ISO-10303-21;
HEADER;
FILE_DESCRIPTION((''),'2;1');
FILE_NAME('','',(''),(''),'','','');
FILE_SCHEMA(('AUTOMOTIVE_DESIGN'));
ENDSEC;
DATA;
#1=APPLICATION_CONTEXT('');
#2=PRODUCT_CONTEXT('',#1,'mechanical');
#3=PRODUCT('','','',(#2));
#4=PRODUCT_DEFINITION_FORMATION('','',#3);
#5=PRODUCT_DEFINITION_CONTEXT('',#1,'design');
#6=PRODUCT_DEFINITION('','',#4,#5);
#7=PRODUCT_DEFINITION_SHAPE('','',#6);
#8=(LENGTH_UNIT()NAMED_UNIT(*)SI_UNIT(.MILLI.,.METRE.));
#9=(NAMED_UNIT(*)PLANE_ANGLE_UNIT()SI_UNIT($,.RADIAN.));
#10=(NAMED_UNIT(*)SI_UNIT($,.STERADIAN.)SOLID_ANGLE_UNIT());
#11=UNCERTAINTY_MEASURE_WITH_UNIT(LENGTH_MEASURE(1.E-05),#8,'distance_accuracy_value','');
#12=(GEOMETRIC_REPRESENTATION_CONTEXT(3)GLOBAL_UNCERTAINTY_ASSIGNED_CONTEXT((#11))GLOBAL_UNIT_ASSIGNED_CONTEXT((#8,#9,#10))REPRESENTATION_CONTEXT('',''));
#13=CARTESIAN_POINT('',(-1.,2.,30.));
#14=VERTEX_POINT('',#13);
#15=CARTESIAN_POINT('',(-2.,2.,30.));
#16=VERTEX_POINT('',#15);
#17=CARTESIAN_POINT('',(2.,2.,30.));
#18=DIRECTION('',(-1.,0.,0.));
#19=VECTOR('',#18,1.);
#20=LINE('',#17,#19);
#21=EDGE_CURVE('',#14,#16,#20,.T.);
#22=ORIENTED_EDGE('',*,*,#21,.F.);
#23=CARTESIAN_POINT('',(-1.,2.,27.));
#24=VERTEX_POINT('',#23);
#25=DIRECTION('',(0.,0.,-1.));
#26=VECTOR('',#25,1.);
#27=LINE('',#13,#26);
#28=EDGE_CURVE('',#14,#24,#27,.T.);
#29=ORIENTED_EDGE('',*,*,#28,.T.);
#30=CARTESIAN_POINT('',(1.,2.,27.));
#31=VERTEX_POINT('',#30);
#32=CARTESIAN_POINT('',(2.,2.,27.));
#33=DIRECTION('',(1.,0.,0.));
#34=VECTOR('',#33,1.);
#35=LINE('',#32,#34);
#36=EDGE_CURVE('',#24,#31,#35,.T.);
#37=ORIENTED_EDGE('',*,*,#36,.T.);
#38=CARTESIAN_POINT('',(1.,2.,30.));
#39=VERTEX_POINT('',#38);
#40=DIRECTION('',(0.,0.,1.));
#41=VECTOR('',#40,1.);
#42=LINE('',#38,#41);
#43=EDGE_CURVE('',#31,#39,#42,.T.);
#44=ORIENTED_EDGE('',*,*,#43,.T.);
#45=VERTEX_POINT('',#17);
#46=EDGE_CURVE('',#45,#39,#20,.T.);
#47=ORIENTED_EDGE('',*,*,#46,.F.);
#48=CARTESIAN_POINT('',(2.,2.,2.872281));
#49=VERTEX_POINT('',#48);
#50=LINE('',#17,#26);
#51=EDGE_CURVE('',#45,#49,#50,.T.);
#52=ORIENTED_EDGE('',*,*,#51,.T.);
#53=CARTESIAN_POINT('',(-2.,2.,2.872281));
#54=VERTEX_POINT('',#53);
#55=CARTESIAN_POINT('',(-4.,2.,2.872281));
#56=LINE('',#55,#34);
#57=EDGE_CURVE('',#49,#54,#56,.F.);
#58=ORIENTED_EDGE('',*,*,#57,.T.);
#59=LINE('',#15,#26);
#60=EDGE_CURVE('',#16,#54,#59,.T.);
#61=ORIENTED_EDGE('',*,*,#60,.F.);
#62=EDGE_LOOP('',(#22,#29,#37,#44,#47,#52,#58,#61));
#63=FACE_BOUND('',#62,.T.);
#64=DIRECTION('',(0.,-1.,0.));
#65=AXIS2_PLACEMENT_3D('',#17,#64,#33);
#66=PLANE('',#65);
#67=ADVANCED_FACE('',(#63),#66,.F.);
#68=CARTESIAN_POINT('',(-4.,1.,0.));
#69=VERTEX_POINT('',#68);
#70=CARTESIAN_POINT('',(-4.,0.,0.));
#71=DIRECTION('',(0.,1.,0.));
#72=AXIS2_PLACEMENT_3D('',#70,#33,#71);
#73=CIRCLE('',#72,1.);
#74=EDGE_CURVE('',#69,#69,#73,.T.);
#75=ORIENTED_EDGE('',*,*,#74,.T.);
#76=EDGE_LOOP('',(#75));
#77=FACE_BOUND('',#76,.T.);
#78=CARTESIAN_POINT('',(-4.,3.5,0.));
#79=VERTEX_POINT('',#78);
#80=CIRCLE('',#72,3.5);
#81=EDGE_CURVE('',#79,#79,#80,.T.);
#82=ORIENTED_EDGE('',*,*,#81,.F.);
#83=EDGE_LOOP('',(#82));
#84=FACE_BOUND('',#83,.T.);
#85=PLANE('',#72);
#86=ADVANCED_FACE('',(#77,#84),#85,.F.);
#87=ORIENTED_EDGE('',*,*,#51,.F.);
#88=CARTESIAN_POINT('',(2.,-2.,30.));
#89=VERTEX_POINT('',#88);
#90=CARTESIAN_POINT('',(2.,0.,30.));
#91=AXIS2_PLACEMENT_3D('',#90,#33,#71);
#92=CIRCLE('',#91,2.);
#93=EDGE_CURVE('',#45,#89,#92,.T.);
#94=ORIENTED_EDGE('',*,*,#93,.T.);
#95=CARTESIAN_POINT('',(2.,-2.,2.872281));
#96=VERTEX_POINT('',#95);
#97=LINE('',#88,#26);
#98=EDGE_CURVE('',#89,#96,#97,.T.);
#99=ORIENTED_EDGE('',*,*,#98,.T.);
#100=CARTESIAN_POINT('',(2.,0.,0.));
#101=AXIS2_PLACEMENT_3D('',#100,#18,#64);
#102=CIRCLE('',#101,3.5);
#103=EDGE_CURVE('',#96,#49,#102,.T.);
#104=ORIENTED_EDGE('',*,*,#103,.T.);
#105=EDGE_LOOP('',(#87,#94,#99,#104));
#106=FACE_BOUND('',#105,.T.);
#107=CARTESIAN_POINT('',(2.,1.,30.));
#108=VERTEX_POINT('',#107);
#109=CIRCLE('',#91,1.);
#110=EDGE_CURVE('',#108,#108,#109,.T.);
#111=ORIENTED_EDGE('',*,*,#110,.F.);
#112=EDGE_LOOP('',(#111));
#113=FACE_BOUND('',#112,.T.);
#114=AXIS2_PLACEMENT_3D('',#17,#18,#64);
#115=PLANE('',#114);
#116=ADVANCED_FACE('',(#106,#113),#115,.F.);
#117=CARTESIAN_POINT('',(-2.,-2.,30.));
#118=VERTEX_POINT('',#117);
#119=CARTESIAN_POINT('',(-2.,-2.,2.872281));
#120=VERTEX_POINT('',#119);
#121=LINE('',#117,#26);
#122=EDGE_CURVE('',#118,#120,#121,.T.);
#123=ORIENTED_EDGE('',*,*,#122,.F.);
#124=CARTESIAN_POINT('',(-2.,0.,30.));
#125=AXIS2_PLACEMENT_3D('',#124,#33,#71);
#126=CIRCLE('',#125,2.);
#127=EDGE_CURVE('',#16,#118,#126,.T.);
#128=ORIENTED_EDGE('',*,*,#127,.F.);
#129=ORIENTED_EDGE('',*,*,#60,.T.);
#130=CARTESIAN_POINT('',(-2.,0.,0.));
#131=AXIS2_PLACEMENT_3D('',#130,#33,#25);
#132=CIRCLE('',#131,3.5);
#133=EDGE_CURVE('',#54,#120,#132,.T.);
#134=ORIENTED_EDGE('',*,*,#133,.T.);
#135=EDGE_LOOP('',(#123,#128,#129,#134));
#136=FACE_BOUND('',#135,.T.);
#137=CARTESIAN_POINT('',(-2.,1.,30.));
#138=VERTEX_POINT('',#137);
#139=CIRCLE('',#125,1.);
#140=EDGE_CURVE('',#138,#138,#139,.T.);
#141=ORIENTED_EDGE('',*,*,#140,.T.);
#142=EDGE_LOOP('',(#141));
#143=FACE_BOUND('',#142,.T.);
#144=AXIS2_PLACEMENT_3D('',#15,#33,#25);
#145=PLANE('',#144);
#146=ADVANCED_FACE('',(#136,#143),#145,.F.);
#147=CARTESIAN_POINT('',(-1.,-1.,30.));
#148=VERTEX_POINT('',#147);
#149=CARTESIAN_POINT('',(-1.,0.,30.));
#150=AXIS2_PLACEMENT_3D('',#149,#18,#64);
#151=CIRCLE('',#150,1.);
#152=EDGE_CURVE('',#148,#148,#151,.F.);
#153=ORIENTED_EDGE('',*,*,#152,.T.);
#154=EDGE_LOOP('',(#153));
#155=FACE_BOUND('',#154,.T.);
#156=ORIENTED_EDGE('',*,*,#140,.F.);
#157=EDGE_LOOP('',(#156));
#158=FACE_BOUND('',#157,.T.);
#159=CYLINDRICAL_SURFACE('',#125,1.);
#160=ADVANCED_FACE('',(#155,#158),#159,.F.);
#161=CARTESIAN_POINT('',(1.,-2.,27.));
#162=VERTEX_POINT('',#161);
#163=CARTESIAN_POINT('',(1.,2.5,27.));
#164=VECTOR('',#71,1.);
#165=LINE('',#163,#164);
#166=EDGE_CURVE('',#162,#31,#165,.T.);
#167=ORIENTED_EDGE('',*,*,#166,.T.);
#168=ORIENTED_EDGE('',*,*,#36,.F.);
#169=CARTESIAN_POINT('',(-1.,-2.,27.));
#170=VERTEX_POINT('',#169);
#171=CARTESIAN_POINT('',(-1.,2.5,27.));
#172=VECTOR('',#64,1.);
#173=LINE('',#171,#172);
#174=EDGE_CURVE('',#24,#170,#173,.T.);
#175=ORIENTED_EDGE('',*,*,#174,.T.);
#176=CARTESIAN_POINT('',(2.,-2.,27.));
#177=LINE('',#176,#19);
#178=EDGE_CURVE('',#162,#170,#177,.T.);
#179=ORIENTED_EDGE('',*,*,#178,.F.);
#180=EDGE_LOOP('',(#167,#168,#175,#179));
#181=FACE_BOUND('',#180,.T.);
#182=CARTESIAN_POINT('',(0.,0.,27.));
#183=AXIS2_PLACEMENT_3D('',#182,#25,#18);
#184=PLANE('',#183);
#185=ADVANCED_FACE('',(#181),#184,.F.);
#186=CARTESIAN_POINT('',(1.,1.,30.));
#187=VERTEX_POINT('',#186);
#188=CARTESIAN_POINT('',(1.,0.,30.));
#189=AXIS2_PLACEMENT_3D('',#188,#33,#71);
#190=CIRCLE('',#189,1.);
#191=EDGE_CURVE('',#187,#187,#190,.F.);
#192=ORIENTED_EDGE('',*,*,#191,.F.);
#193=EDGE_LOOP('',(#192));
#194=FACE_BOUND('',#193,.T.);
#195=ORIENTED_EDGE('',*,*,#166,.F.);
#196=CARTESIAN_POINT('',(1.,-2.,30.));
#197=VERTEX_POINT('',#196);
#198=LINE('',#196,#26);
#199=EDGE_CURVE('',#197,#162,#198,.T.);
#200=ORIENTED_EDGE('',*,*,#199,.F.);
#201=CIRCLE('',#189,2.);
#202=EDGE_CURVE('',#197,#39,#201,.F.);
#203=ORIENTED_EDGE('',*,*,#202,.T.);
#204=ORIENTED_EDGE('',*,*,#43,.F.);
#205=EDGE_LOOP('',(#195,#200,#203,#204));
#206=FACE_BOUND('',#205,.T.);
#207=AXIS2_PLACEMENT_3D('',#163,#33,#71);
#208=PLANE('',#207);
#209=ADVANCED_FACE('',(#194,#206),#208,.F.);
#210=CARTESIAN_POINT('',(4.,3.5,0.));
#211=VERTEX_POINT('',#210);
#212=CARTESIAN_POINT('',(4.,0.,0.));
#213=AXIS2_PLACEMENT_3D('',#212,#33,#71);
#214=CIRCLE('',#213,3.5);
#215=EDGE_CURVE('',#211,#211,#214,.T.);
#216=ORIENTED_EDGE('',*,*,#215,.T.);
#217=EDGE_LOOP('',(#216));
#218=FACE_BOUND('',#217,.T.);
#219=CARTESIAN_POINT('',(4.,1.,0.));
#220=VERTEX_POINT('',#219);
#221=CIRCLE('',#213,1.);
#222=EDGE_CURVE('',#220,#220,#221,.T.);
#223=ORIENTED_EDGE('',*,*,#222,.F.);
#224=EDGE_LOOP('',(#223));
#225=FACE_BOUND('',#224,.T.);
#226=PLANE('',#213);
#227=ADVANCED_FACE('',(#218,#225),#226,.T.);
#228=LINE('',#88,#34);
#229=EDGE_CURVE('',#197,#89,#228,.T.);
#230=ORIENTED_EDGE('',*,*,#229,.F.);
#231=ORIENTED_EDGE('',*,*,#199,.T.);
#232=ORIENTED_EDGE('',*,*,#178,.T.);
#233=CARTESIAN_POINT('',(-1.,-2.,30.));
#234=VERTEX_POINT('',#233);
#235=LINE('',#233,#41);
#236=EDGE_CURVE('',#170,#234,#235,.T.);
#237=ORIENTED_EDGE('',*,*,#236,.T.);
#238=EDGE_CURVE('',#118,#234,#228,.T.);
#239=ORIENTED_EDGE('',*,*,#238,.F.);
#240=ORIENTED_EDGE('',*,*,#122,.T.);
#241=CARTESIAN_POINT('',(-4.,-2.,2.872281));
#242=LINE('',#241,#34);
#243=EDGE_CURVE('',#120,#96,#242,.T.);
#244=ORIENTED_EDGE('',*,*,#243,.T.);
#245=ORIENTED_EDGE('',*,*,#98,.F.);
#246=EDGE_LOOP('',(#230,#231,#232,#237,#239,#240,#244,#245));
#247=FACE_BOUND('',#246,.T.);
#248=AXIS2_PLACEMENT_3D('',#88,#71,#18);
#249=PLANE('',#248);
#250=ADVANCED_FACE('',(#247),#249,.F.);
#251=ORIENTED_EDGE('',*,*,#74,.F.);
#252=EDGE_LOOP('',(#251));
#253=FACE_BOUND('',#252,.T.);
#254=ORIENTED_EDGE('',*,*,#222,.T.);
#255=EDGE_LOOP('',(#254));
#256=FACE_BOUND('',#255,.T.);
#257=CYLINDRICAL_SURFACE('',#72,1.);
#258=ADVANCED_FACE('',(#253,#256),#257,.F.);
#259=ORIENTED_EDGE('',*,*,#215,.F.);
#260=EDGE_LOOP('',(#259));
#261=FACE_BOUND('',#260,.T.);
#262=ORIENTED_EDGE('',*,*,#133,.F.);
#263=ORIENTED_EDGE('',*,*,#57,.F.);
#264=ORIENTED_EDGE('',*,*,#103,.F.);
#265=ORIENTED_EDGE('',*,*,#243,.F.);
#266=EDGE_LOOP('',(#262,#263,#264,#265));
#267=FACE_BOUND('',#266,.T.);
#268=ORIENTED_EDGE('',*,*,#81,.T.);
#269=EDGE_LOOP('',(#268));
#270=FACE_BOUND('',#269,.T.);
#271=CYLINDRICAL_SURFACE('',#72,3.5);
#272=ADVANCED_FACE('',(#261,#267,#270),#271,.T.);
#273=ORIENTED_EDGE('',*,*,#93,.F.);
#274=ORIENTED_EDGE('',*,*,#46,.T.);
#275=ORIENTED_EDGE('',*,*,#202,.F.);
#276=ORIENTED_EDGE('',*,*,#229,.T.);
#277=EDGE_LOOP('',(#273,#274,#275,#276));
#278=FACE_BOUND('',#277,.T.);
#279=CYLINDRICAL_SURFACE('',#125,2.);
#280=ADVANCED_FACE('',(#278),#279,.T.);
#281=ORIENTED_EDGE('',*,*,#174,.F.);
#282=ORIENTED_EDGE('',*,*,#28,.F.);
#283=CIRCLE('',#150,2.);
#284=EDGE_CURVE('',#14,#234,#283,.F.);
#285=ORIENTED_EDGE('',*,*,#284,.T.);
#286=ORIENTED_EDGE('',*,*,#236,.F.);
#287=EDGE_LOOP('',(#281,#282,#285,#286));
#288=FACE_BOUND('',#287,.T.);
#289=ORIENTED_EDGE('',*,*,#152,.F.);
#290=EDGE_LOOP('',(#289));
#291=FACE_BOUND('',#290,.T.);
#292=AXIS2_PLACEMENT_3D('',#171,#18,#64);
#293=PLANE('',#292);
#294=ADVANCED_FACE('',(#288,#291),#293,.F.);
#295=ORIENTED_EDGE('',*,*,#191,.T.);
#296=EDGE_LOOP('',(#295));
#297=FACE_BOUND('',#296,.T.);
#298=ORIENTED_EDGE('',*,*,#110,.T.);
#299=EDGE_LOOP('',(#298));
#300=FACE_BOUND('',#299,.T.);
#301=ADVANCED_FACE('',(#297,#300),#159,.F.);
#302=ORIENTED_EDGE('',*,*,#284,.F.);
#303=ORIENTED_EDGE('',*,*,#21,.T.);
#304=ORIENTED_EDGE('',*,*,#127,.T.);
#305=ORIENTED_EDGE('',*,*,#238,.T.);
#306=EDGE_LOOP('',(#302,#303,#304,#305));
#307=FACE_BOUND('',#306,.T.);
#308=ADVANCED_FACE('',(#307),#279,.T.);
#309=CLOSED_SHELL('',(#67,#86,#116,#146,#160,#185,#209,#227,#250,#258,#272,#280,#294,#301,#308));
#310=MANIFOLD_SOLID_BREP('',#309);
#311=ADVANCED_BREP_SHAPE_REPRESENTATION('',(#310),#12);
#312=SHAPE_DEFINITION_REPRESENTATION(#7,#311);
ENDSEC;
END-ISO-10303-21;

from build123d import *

# Parameters (mm, degrees)
SKETCH1_W                = 4
SKETCH1_H                = 4
BOSS_EXTRUDE1_DEPTH      = 30
SKETCH2_R                = 2
SKETCH2_R_2              = 1
BOSS_EXTRUDE2_DEPTH      = 4
SKETCH3_R                = 1
CUT_EXTRUDE1_DEPTH       = 33.310988843
BOSS_EXTRUDE3_DEPTH      = 2
BOSS_EXTRUDE3_DEPTH_BACK = 6
SKETCH4_R                = 3.5
SKETCH4_R_2              = 1
SKETCH5_R                = 1
CUT_EXTRUDE2_DEPTH       = 34.170016581
CUT_EXTRUDE3_DEPTH       = 10
CUT_EXTRUDE3_DEPTH_BACK  = 2
SKETCH6_W                = 2
SKETCH6_H                = 5


with BuildPart() as part:
    # Sketch1 → Boss-Extrude1 (new body)
    with BuildSketch(Plane.XY):
        Rectangle(SKETCH1_W, SKETCH1_H)
    extrude(amount=BOSS_EXTRUDE1_DEPTH)

    # Sketch2 → Boss-Extrude2 (add)
    with BuildSketch(Plane(origin=(2, 0, 0), x_dir=(0, 0, -1), z_dir=(1, 0, 0))):
        with Locations((-30, 0)):
            Circle(SKETCH2_R)
        with Locations((-30, 0)):
            Circle(SKETCH2_R_2, mode=Mode.SUBTRACT)
    extrude(amount=-BOSS_EXTRUDE2_DEPTH)

    # Sketch3 → Cut-Extrude1 (cut, through all)
    with BuildSketch(Plane(origin=(2, 0, 0), x_dir=(0, 0, -1), z_dir=(1, 0, 0))):
        with Locations(Location((-30, 0, 0), (0, 0, 90))):
            Circle(SKETCH3_R)
    extrude(amount=-CUT_EXTRUDE1_DEPTH, mode=Mode.SUBTRACT)

    # Sketch4 → Boss-Extrude3 (add, two sides: drawn at the far end of the back side and taken through both)
    with BuildSketch(Plane(origin=(2, 0, 0), x_dir=(0, 0, -1), z_dir=(1, 0, 0)).offset(-BOSS_EXTRUDE3_DEPTH_BACK)):
        with Locations(Location((0, 0, 0), (0, 0, 90))):
            Circle(SKETCH4_R)
        with Locations(Location((0, 0, 0), (0, 0, 90))):
            Circle(SKETCH4_R_2, mode=Mode.SUBTRACT)
    extrude(amount=BOSS_EXTRUDE3_DEPTH + BOSS_EXTRUDE3_DEPTH_BACK)

    # Sketch5 → Cut-Extrude2 (cut, through all)
    with BuildSketch(Plane(origin=(4, 0, 0), x_dir=(0, 0, -1), z_dir=(1, 0, 0))):
        with Locations(Location((0, 0, 0), (0, 0, 90))):
            Circle(SKETCH5_R)
    extrude(amount=-CUT_EXTRUDE2_DEPTH, mode=Mode.SUBTRACT)

    # Sketch6 → Cut-Extrude3 (cut, two sides: drawn at the far end of the back side and taken through both)
    with BuildSketch(Plane.XY.offset(29).offset(-CUT_EXTRUDE3_DEPTH_BACK)):
        Rectangle(SKETCH6_W, SKETCH6_H)
    extrude(amount=CUT_EXTRUDE3_DEPTH + CUT_EXTRUDE3_DEPTH_BACK, mode=Mode.SUBTRACT)


solid = part.part
